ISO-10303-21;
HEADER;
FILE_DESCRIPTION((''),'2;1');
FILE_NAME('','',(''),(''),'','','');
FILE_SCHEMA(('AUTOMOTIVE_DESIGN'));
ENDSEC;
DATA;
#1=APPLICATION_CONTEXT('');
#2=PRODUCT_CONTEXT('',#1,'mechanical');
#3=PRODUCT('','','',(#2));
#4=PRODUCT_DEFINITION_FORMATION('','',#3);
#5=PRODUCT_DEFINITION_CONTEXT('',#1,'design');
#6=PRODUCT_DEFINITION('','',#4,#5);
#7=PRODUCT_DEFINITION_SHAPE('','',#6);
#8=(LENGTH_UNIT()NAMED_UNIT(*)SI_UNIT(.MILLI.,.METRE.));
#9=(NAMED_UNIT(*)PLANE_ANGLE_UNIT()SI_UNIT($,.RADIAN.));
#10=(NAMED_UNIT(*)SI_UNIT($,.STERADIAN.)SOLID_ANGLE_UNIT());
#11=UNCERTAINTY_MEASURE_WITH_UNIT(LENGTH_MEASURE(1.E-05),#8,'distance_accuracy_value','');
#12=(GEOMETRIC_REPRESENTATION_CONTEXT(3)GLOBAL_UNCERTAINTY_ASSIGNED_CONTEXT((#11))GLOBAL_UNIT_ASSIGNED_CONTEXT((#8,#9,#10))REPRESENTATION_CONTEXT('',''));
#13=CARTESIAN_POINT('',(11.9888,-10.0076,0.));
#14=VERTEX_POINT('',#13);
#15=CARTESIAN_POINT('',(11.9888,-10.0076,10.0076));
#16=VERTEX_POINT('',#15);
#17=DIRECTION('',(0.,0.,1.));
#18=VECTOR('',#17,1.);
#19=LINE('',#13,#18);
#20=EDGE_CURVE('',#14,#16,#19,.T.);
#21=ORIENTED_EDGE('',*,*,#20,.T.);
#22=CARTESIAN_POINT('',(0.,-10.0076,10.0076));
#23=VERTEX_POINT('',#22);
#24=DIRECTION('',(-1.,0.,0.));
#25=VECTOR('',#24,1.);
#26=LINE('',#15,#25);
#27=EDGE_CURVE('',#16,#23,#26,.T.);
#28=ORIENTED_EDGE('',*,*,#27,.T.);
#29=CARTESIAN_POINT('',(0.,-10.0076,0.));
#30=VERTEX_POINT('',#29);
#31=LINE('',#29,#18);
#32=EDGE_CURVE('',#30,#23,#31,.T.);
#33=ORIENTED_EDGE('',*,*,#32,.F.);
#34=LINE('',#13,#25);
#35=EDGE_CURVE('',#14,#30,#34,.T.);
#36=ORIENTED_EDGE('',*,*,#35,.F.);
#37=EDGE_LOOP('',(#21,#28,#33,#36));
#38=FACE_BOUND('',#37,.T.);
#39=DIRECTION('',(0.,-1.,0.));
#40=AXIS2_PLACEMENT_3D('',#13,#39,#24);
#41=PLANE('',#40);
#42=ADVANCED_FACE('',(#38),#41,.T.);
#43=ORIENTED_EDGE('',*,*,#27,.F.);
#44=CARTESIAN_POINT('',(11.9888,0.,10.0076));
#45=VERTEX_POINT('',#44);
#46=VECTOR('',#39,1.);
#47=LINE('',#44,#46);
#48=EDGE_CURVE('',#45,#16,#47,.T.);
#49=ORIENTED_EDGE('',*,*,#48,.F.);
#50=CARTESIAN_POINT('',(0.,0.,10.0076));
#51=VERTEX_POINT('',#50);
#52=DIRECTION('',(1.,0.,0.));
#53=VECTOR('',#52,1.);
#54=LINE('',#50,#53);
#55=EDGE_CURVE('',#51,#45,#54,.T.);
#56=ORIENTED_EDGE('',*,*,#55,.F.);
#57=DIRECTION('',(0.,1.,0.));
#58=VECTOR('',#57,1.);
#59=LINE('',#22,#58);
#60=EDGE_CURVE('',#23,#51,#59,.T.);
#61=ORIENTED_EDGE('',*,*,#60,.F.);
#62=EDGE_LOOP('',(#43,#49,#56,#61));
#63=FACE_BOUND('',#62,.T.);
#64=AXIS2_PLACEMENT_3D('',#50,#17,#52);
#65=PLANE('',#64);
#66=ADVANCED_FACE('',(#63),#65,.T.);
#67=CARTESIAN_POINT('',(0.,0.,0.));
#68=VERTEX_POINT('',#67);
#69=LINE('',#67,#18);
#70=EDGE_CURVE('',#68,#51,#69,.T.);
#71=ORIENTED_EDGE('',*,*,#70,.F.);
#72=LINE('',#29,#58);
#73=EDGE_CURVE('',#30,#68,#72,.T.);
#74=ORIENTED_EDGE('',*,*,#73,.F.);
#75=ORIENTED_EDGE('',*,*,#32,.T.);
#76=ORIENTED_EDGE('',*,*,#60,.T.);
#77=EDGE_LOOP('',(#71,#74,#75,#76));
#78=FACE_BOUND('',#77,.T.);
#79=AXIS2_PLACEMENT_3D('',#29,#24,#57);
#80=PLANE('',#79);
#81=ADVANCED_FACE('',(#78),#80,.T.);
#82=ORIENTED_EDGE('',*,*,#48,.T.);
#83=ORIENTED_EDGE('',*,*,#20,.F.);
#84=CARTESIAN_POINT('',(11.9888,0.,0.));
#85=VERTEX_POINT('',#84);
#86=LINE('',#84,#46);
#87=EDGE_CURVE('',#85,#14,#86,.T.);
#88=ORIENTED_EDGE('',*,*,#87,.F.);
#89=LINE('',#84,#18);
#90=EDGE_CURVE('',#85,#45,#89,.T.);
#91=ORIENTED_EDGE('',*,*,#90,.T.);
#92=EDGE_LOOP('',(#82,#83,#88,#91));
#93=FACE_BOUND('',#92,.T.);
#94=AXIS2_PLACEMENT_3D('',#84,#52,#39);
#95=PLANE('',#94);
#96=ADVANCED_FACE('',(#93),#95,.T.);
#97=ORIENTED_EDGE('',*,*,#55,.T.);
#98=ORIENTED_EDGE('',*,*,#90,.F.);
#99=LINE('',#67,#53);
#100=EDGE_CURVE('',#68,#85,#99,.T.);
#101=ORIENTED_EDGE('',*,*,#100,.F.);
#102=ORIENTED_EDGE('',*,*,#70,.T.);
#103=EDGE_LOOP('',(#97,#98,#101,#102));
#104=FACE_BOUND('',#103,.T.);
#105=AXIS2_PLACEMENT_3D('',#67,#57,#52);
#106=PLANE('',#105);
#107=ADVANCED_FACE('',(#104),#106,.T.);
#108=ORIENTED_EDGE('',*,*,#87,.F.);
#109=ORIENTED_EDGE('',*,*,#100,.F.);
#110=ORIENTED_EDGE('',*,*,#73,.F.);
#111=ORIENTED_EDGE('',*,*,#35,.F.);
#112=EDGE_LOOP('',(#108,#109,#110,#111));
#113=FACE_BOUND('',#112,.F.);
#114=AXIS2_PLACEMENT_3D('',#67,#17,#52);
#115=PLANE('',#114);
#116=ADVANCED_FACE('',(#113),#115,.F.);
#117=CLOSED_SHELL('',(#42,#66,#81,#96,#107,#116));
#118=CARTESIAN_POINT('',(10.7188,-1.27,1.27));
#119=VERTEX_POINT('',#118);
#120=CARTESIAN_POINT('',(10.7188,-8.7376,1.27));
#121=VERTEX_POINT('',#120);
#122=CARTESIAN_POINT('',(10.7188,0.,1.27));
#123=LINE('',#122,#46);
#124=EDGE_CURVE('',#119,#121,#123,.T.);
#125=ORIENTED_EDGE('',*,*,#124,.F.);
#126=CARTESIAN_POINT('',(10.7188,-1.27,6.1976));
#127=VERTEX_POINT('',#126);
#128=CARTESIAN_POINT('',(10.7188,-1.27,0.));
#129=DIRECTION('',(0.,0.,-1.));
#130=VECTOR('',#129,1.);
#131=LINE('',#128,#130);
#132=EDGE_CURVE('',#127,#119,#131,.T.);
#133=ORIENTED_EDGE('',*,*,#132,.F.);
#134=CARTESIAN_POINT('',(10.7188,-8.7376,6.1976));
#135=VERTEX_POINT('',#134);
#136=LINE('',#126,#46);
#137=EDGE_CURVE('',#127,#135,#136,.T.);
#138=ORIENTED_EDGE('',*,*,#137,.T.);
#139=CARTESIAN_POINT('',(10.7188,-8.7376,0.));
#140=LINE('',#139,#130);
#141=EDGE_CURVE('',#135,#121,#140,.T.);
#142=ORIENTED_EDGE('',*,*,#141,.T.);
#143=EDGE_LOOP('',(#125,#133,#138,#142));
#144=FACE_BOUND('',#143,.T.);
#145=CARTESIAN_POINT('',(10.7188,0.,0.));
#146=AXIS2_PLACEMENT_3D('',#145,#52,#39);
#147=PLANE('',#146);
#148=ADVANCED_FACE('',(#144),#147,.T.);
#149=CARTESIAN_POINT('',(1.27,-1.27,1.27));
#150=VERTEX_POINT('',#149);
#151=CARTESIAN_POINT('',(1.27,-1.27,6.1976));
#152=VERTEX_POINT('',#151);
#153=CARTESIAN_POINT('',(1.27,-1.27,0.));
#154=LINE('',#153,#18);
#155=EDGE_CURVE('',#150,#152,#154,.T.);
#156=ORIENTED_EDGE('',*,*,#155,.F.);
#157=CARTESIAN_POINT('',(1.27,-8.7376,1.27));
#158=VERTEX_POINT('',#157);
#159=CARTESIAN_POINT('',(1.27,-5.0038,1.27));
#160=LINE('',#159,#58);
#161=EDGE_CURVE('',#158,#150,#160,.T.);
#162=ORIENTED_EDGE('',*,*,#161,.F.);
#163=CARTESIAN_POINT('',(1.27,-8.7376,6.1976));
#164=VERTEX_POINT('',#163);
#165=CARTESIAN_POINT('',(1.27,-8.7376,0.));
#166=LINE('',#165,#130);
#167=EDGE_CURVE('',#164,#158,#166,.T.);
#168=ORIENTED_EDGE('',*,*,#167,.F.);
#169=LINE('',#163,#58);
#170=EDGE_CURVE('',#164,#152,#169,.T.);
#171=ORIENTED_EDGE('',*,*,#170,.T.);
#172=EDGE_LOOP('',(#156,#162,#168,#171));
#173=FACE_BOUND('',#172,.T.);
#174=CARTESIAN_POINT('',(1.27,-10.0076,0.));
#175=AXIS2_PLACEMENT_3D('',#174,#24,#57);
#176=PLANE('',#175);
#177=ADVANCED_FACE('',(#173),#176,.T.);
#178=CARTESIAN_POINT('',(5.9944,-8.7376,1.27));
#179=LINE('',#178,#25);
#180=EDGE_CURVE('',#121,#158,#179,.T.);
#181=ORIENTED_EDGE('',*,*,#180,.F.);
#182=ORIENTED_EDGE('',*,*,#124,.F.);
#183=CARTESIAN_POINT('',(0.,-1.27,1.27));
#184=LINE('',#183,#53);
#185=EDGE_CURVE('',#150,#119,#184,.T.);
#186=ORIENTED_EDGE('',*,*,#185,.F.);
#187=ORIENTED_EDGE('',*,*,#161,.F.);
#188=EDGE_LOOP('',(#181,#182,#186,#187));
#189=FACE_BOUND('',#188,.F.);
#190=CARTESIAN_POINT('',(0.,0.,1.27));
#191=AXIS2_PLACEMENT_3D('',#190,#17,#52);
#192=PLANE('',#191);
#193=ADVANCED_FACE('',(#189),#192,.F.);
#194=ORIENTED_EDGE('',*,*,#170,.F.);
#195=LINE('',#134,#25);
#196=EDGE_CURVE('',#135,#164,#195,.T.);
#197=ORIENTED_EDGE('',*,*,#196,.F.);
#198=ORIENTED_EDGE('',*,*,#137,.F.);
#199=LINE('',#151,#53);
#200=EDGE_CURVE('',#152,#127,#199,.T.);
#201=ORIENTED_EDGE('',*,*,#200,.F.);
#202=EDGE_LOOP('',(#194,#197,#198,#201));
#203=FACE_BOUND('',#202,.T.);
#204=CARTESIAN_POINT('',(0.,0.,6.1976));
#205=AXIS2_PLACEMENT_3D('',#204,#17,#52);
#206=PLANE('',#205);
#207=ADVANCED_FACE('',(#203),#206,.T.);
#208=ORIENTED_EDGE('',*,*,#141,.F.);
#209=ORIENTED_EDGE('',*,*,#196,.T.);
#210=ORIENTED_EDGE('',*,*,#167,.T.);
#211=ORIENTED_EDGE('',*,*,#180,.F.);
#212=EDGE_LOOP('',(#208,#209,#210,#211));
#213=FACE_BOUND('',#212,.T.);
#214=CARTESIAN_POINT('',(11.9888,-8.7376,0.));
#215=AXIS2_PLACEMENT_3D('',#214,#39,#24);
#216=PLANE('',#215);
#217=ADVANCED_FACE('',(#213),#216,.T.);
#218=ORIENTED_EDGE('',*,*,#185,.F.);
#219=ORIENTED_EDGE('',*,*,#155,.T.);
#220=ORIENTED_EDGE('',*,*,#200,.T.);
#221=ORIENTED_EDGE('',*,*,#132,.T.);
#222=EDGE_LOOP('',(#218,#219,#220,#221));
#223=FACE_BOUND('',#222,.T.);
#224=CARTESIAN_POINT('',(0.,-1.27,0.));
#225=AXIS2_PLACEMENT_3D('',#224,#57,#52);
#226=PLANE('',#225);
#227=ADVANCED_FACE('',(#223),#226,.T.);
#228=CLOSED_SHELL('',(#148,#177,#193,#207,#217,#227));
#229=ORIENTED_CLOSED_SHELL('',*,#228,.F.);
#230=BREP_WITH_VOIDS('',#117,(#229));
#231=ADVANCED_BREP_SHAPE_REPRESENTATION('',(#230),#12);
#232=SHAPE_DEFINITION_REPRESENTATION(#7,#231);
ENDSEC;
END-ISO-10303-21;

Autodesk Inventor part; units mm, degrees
ref_plane "YZ Plane" through (0, 0, 0) normal (1, 0, 0) x (0, 1, 0)
ref_plane "XZ Plane" through (0, 0, 0) normal (0, 1, 0) x (-1, 0, 0)
ref_plane "XY Plane" through (0, 0, 0) normal (0, 0, 1) x (1, 0, 0)
sketch "Sketch1" plane through (0, 0, 0) normal (0, 0, 1) x (1, 0, 0)
  line L0 (0, 0) -> (11.9888, 0)
  line L1 (11.9888, 0) -> (11.9888, -10.0076)
  line L2 (11.9888, -10.0076) -> (0, -10.0076)
  line L3 (0, -10.0076) -> (0, 0)
  dimension "d0" = 10.0076
  dimension "d1" = 11.9888
extrude "Extrusion1" add sketch "Sketch1" along normal blind 10.0076
shell "Shell1" thickness 1.27 removed faces 1 at (3.9963, -6.6717, 10.0076)
sketch "Sketch2" plane through (0, 0, 10.0076) normal (0, 0, 1) x (1, 0, 0)
  line L0 (1.27, -1.27) -> (10.7188, -1.27) projected
  line L1 (10.7188, -1.27) -> (10.7188, -8.7376) projected
  line L2 (10.7188, -8.7376) -> (1.27, -8.7376) projected
  line L3 (1.27, -8.7376) -> (1.27, -1.27) projected
extrude "Extrusion2" add sketch "Sketch2" against normal blind 3.81
properties part number "Gearmotor_Gear" material "Brass, Soft Yellow"
